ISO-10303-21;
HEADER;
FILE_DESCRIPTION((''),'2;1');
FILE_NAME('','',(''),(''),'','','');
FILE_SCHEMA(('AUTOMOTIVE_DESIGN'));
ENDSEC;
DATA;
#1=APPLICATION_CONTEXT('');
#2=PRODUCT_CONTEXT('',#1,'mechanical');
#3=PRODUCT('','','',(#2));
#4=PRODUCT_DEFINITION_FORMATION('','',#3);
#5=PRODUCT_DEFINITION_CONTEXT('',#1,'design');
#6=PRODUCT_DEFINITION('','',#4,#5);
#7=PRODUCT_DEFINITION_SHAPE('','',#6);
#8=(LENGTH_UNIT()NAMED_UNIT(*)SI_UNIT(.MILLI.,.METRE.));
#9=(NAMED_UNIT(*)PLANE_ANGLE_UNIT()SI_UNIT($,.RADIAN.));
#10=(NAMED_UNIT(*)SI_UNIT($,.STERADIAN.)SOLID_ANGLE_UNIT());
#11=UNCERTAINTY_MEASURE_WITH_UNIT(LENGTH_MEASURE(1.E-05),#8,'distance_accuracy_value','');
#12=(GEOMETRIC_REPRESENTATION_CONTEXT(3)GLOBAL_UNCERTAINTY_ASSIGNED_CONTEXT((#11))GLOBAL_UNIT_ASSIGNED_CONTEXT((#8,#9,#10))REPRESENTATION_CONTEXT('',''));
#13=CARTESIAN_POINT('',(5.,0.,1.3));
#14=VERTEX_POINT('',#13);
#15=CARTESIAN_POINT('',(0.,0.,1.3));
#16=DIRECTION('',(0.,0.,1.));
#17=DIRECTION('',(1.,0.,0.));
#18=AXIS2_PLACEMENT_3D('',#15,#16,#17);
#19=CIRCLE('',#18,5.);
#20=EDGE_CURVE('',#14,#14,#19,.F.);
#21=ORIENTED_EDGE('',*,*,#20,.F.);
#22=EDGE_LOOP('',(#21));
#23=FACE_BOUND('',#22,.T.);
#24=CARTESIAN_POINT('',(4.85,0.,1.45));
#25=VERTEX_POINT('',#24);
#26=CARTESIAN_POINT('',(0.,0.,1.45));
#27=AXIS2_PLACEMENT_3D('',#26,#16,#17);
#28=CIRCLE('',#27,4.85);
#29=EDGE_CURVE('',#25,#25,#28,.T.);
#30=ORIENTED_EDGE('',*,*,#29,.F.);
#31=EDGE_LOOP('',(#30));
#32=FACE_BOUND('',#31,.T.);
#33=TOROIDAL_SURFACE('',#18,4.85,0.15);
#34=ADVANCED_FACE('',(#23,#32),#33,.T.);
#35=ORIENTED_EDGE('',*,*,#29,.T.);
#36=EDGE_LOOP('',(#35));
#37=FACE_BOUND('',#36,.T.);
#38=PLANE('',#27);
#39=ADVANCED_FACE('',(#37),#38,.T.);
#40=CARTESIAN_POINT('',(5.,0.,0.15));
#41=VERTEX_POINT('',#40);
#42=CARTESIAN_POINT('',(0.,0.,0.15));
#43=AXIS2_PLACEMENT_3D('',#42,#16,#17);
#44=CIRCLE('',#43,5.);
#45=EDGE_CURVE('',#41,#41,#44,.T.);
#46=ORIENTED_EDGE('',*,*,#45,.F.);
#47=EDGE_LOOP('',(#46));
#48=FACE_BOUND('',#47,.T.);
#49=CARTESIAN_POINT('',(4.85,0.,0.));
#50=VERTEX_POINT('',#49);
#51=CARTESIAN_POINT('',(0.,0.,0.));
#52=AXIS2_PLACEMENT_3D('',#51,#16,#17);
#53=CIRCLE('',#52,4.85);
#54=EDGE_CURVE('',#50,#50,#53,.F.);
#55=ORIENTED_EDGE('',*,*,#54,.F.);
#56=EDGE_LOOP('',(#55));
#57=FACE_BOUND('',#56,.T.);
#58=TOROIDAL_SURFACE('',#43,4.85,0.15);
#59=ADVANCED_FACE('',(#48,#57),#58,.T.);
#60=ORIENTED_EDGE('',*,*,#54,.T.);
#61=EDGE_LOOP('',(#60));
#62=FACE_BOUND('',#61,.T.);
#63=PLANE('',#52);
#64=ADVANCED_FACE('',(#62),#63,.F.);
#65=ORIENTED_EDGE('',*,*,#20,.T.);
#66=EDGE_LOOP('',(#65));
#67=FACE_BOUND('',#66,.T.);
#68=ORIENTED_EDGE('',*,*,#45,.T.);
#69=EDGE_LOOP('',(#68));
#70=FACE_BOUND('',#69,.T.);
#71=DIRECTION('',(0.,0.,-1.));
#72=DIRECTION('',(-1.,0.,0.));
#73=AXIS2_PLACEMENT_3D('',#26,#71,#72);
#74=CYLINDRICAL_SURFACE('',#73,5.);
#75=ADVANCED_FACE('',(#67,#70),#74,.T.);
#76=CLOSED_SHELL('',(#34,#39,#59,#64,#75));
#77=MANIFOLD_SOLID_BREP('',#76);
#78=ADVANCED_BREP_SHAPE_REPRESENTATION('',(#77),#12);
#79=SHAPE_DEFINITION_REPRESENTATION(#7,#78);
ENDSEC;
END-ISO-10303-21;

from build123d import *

# Parameters (mm, degrees)
SKICA1_R                = 5
P_IDAT_VYSUNUT_M1_DEPTH = 1.45
ZAOBLIT1_R              = 0.15


with BuildPart() as part:
    # Skica1 → Přidat vysunutím1 (new body)
    with BuildSketch(Plane.XY):
        Circle(SKICA1_R)
    extrude(amount=P_IDAT_VYSUNUT_M1_DEPTH)

    # Zaoblit1
    zaoblit1_edges = [part.edges().sort_by_distance(p)[0] for p in [
        (-5, 0, 0),
        (-5, 0, 1.45),
    ]]
    fillet(zaoblit1_edges, radius=ZAOBLIT1_R)


solid = part.part
